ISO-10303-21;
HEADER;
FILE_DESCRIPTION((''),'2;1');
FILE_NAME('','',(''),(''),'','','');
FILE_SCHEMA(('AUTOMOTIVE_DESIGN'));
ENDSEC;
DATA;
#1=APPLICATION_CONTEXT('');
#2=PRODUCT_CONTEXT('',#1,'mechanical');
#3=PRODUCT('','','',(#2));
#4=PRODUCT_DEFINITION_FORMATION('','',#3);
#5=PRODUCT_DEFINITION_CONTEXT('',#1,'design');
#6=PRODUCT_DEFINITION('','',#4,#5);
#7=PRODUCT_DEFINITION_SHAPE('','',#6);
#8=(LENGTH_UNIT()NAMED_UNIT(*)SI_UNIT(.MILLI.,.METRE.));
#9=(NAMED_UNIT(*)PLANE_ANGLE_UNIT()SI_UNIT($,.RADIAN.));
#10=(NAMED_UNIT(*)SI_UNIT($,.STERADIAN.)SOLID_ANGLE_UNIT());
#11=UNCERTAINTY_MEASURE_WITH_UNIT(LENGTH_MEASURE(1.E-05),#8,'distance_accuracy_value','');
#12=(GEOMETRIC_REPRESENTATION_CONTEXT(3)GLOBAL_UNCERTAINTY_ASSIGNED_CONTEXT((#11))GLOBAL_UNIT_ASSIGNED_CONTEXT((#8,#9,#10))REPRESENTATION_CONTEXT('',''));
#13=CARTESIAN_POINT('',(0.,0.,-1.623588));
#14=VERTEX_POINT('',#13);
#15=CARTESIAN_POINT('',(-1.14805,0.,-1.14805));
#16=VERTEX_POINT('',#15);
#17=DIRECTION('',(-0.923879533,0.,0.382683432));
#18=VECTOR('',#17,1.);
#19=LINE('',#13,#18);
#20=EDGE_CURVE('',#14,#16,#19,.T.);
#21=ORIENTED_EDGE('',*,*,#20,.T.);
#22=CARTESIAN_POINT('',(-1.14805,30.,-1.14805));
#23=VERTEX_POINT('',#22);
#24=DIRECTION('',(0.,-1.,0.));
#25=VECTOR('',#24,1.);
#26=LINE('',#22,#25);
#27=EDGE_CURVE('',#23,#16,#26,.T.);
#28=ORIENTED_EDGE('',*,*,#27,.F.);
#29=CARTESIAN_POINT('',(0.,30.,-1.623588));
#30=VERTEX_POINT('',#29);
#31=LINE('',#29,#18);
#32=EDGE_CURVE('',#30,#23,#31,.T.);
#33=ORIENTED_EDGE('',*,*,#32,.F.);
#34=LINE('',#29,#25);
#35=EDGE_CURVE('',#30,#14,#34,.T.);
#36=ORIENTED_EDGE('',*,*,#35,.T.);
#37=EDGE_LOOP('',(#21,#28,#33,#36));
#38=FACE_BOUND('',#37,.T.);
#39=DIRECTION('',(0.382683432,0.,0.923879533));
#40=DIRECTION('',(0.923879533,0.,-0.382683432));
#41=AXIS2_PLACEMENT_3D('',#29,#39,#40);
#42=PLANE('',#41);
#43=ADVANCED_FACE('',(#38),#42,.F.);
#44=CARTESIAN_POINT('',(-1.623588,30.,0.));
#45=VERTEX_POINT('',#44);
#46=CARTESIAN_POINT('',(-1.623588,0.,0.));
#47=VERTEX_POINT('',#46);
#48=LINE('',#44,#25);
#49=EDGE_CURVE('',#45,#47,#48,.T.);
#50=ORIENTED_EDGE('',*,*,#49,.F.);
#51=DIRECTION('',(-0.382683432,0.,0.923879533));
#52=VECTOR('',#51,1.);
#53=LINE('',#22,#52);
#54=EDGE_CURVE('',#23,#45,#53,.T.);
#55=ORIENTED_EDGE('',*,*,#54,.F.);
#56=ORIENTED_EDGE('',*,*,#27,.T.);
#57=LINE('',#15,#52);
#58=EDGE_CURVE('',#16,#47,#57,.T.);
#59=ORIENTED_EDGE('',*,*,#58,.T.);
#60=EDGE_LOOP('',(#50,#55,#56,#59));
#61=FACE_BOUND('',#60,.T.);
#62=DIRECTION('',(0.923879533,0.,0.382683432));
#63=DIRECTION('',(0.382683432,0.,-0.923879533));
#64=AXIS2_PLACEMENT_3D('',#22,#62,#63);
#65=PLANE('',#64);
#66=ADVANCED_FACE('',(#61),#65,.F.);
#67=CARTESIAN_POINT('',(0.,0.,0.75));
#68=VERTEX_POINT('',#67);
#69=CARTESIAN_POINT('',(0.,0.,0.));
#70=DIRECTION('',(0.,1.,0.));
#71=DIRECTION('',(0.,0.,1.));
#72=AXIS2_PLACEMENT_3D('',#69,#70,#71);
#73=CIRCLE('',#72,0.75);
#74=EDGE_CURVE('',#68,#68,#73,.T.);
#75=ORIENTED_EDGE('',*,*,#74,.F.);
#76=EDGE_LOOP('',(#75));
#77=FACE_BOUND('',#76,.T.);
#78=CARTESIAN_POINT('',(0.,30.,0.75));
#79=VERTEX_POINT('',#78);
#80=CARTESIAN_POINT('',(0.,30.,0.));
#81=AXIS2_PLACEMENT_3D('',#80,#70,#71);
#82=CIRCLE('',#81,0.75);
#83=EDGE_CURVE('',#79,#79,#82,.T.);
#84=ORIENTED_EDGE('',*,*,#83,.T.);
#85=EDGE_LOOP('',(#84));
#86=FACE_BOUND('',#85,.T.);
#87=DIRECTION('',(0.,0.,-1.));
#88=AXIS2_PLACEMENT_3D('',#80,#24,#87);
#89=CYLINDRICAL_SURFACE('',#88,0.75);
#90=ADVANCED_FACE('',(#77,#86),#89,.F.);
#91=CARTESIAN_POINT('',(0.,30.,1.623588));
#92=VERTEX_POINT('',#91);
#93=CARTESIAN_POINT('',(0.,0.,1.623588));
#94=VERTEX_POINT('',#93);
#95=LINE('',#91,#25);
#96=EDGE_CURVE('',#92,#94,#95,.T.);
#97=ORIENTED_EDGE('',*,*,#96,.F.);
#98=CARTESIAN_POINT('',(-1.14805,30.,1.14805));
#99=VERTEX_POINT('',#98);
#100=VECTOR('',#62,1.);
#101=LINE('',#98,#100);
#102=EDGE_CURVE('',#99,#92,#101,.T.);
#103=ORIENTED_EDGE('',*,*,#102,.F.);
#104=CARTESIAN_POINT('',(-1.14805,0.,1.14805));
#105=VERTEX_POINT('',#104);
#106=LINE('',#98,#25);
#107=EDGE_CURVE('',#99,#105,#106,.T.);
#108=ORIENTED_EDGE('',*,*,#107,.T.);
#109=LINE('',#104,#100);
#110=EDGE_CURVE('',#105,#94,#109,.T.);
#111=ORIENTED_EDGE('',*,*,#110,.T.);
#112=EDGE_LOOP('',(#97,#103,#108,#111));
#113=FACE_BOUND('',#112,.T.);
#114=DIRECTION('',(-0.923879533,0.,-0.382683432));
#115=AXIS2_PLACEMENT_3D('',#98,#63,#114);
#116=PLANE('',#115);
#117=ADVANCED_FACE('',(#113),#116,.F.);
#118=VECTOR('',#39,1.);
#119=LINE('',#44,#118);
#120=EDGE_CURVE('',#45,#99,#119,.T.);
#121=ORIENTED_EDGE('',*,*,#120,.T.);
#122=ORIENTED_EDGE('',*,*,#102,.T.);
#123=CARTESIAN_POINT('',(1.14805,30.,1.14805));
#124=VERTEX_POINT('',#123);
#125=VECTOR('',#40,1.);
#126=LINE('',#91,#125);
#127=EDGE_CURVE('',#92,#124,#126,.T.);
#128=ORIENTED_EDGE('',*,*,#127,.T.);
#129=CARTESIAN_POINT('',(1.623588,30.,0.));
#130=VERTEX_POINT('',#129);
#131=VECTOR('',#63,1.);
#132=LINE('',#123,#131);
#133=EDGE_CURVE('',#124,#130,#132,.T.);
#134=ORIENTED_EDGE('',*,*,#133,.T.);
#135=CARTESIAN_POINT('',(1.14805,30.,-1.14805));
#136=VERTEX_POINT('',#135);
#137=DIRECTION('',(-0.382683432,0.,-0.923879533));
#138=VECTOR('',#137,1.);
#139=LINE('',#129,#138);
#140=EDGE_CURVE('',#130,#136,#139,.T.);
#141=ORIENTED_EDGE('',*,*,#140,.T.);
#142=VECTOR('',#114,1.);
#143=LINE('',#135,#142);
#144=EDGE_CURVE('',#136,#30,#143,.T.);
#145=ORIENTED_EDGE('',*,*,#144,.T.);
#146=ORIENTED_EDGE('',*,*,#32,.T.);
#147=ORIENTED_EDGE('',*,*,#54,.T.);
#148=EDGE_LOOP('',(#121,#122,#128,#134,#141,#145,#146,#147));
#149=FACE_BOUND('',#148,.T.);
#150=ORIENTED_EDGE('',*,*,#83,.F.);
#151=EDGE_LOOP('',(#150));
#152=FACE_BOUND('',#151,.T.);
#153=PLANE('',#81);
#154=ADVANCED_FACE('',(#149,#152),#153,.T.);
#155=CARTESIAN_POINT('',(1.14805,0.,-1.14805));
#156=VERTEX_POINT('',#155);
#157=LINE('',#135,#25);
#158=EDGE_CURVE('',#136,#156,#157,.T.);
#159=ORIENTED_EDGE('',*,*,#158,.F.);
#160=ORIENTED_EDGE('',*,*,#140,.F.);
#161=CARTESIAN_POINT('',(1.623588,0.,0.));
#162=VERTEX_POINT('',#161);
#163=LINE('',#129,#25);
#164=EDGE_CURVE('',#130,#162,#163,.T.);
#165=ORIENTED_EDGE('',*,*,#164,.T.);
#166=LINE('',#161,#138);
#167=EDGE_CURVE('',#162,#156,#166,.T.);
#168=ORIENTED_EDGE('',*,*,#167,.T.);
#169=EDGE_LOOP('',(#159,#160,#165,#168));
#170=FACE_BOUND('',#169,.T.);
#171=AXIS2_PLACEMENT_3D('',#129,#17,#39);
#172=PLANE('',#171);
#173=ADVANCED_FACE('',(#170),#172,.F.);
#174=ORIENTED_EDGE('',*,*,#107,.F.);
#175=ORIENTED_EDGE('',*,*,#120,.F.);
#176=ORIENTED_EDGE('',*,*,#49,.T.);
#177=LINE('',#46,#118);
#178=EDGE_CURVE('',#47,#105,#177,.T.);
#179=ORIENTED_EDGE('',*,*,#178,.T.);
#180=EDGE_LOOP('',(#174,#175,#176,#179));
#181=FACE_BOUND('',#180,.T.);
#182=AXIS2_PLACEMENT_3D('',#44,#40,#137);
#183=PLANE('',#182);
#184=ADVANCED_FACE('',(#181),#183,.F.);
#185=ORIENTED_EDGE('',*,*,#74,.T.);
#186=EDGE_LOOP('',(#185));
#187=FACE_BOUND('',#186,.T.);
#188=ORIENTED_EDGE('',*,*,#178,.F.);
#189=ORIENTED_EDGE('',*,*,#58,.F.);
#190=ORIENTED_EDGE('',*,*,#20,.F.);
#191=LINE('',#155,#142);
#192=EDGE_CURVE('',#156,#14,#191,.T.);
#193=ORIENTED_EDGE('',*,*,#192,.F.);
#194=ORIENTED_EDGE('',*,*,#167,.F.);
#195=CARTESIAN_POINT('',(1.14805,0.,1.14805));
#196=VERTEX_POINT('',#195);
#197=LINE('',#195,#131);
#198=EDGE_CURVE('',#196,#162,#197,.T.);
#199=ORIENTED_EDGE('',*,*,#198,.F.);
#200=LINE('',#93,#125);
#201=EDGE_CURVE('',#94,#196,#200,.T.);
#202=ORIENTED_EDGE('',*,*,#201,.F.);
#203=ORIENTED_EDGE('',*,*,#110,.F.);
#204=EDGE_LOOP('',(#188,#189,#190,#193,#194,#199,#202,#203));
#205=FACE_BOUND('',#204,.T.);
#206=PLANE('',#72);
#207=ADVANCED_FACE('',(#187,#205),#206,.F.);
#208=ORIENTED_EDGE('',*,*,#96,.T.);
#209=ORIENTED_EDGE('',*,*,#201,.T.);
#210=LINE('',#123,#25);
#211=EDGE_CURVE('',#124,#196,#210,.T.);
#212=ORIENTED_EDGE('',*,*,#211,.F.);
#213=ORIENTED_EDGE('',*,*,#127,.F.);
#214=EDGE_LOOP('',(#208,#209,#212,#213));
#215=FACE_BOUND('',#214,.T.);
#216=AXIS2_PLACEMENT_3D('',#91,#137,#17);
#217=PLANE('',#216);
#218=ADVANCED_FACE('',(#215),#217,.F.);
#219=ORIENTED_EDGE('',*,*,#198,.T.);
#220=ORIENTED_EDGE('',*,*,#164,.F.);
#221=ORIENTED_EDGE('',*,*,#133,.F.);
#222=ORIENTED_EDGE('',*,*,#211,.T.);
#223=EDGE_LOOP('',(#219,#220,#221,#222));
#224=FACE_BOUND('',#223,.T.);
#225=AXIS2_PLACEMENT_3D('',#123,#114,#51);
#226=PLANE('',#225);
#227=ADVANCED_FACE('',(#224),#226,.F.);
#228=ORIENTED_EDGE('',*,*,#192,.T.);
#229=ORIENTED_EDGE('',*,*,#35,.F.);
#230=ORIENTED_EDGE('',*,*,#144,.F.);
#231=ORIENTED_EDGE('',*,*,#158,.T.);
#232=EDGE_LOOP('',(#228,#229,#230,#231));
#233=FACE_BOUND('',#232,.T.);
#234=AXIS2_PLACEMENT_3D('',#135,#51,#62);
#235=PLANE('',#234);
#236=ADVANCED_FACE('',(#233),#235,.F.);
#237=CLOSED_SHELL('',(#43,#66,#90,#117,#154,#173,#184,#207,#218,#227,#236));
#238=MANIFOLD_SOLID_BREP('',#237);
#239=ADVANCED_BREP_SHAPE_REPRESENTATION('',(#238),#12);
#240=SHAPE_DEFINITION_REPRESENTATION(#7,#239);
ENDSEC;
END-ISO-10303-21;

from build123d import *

# Parameters (mm, degrees)
SKETCH1_R           = 0.75
BOSS_EXTRUDE1_DEPTH = 30


with BuildPart() as part:
    # Sketch1 → Boss-Extrude1 (new body)
    with BuildSketch(Plane(origin=(0, 0, 0), x_dir=(1, 0, 0), z_dir=(0, 1, 0))):
        Polygon((1.6235883, 0), (1.148050297, 1.148050297), (0, 1.6235883), (-1.148050297, 1.148050297), (-1.6235883, 0), (-1.148050297, -1.148050297), (0, -1.6235883), (1.148050297, -1.148050297), align=None)
        with Locations(Location((0, 0, 0), (0, 0, 270))):
            Circle(SKETCH1_R, mode=Mode.SUBTRACT)
    extrude(amount=BOSS_EXTRUDE1_DEPTH)


solid = part.part
